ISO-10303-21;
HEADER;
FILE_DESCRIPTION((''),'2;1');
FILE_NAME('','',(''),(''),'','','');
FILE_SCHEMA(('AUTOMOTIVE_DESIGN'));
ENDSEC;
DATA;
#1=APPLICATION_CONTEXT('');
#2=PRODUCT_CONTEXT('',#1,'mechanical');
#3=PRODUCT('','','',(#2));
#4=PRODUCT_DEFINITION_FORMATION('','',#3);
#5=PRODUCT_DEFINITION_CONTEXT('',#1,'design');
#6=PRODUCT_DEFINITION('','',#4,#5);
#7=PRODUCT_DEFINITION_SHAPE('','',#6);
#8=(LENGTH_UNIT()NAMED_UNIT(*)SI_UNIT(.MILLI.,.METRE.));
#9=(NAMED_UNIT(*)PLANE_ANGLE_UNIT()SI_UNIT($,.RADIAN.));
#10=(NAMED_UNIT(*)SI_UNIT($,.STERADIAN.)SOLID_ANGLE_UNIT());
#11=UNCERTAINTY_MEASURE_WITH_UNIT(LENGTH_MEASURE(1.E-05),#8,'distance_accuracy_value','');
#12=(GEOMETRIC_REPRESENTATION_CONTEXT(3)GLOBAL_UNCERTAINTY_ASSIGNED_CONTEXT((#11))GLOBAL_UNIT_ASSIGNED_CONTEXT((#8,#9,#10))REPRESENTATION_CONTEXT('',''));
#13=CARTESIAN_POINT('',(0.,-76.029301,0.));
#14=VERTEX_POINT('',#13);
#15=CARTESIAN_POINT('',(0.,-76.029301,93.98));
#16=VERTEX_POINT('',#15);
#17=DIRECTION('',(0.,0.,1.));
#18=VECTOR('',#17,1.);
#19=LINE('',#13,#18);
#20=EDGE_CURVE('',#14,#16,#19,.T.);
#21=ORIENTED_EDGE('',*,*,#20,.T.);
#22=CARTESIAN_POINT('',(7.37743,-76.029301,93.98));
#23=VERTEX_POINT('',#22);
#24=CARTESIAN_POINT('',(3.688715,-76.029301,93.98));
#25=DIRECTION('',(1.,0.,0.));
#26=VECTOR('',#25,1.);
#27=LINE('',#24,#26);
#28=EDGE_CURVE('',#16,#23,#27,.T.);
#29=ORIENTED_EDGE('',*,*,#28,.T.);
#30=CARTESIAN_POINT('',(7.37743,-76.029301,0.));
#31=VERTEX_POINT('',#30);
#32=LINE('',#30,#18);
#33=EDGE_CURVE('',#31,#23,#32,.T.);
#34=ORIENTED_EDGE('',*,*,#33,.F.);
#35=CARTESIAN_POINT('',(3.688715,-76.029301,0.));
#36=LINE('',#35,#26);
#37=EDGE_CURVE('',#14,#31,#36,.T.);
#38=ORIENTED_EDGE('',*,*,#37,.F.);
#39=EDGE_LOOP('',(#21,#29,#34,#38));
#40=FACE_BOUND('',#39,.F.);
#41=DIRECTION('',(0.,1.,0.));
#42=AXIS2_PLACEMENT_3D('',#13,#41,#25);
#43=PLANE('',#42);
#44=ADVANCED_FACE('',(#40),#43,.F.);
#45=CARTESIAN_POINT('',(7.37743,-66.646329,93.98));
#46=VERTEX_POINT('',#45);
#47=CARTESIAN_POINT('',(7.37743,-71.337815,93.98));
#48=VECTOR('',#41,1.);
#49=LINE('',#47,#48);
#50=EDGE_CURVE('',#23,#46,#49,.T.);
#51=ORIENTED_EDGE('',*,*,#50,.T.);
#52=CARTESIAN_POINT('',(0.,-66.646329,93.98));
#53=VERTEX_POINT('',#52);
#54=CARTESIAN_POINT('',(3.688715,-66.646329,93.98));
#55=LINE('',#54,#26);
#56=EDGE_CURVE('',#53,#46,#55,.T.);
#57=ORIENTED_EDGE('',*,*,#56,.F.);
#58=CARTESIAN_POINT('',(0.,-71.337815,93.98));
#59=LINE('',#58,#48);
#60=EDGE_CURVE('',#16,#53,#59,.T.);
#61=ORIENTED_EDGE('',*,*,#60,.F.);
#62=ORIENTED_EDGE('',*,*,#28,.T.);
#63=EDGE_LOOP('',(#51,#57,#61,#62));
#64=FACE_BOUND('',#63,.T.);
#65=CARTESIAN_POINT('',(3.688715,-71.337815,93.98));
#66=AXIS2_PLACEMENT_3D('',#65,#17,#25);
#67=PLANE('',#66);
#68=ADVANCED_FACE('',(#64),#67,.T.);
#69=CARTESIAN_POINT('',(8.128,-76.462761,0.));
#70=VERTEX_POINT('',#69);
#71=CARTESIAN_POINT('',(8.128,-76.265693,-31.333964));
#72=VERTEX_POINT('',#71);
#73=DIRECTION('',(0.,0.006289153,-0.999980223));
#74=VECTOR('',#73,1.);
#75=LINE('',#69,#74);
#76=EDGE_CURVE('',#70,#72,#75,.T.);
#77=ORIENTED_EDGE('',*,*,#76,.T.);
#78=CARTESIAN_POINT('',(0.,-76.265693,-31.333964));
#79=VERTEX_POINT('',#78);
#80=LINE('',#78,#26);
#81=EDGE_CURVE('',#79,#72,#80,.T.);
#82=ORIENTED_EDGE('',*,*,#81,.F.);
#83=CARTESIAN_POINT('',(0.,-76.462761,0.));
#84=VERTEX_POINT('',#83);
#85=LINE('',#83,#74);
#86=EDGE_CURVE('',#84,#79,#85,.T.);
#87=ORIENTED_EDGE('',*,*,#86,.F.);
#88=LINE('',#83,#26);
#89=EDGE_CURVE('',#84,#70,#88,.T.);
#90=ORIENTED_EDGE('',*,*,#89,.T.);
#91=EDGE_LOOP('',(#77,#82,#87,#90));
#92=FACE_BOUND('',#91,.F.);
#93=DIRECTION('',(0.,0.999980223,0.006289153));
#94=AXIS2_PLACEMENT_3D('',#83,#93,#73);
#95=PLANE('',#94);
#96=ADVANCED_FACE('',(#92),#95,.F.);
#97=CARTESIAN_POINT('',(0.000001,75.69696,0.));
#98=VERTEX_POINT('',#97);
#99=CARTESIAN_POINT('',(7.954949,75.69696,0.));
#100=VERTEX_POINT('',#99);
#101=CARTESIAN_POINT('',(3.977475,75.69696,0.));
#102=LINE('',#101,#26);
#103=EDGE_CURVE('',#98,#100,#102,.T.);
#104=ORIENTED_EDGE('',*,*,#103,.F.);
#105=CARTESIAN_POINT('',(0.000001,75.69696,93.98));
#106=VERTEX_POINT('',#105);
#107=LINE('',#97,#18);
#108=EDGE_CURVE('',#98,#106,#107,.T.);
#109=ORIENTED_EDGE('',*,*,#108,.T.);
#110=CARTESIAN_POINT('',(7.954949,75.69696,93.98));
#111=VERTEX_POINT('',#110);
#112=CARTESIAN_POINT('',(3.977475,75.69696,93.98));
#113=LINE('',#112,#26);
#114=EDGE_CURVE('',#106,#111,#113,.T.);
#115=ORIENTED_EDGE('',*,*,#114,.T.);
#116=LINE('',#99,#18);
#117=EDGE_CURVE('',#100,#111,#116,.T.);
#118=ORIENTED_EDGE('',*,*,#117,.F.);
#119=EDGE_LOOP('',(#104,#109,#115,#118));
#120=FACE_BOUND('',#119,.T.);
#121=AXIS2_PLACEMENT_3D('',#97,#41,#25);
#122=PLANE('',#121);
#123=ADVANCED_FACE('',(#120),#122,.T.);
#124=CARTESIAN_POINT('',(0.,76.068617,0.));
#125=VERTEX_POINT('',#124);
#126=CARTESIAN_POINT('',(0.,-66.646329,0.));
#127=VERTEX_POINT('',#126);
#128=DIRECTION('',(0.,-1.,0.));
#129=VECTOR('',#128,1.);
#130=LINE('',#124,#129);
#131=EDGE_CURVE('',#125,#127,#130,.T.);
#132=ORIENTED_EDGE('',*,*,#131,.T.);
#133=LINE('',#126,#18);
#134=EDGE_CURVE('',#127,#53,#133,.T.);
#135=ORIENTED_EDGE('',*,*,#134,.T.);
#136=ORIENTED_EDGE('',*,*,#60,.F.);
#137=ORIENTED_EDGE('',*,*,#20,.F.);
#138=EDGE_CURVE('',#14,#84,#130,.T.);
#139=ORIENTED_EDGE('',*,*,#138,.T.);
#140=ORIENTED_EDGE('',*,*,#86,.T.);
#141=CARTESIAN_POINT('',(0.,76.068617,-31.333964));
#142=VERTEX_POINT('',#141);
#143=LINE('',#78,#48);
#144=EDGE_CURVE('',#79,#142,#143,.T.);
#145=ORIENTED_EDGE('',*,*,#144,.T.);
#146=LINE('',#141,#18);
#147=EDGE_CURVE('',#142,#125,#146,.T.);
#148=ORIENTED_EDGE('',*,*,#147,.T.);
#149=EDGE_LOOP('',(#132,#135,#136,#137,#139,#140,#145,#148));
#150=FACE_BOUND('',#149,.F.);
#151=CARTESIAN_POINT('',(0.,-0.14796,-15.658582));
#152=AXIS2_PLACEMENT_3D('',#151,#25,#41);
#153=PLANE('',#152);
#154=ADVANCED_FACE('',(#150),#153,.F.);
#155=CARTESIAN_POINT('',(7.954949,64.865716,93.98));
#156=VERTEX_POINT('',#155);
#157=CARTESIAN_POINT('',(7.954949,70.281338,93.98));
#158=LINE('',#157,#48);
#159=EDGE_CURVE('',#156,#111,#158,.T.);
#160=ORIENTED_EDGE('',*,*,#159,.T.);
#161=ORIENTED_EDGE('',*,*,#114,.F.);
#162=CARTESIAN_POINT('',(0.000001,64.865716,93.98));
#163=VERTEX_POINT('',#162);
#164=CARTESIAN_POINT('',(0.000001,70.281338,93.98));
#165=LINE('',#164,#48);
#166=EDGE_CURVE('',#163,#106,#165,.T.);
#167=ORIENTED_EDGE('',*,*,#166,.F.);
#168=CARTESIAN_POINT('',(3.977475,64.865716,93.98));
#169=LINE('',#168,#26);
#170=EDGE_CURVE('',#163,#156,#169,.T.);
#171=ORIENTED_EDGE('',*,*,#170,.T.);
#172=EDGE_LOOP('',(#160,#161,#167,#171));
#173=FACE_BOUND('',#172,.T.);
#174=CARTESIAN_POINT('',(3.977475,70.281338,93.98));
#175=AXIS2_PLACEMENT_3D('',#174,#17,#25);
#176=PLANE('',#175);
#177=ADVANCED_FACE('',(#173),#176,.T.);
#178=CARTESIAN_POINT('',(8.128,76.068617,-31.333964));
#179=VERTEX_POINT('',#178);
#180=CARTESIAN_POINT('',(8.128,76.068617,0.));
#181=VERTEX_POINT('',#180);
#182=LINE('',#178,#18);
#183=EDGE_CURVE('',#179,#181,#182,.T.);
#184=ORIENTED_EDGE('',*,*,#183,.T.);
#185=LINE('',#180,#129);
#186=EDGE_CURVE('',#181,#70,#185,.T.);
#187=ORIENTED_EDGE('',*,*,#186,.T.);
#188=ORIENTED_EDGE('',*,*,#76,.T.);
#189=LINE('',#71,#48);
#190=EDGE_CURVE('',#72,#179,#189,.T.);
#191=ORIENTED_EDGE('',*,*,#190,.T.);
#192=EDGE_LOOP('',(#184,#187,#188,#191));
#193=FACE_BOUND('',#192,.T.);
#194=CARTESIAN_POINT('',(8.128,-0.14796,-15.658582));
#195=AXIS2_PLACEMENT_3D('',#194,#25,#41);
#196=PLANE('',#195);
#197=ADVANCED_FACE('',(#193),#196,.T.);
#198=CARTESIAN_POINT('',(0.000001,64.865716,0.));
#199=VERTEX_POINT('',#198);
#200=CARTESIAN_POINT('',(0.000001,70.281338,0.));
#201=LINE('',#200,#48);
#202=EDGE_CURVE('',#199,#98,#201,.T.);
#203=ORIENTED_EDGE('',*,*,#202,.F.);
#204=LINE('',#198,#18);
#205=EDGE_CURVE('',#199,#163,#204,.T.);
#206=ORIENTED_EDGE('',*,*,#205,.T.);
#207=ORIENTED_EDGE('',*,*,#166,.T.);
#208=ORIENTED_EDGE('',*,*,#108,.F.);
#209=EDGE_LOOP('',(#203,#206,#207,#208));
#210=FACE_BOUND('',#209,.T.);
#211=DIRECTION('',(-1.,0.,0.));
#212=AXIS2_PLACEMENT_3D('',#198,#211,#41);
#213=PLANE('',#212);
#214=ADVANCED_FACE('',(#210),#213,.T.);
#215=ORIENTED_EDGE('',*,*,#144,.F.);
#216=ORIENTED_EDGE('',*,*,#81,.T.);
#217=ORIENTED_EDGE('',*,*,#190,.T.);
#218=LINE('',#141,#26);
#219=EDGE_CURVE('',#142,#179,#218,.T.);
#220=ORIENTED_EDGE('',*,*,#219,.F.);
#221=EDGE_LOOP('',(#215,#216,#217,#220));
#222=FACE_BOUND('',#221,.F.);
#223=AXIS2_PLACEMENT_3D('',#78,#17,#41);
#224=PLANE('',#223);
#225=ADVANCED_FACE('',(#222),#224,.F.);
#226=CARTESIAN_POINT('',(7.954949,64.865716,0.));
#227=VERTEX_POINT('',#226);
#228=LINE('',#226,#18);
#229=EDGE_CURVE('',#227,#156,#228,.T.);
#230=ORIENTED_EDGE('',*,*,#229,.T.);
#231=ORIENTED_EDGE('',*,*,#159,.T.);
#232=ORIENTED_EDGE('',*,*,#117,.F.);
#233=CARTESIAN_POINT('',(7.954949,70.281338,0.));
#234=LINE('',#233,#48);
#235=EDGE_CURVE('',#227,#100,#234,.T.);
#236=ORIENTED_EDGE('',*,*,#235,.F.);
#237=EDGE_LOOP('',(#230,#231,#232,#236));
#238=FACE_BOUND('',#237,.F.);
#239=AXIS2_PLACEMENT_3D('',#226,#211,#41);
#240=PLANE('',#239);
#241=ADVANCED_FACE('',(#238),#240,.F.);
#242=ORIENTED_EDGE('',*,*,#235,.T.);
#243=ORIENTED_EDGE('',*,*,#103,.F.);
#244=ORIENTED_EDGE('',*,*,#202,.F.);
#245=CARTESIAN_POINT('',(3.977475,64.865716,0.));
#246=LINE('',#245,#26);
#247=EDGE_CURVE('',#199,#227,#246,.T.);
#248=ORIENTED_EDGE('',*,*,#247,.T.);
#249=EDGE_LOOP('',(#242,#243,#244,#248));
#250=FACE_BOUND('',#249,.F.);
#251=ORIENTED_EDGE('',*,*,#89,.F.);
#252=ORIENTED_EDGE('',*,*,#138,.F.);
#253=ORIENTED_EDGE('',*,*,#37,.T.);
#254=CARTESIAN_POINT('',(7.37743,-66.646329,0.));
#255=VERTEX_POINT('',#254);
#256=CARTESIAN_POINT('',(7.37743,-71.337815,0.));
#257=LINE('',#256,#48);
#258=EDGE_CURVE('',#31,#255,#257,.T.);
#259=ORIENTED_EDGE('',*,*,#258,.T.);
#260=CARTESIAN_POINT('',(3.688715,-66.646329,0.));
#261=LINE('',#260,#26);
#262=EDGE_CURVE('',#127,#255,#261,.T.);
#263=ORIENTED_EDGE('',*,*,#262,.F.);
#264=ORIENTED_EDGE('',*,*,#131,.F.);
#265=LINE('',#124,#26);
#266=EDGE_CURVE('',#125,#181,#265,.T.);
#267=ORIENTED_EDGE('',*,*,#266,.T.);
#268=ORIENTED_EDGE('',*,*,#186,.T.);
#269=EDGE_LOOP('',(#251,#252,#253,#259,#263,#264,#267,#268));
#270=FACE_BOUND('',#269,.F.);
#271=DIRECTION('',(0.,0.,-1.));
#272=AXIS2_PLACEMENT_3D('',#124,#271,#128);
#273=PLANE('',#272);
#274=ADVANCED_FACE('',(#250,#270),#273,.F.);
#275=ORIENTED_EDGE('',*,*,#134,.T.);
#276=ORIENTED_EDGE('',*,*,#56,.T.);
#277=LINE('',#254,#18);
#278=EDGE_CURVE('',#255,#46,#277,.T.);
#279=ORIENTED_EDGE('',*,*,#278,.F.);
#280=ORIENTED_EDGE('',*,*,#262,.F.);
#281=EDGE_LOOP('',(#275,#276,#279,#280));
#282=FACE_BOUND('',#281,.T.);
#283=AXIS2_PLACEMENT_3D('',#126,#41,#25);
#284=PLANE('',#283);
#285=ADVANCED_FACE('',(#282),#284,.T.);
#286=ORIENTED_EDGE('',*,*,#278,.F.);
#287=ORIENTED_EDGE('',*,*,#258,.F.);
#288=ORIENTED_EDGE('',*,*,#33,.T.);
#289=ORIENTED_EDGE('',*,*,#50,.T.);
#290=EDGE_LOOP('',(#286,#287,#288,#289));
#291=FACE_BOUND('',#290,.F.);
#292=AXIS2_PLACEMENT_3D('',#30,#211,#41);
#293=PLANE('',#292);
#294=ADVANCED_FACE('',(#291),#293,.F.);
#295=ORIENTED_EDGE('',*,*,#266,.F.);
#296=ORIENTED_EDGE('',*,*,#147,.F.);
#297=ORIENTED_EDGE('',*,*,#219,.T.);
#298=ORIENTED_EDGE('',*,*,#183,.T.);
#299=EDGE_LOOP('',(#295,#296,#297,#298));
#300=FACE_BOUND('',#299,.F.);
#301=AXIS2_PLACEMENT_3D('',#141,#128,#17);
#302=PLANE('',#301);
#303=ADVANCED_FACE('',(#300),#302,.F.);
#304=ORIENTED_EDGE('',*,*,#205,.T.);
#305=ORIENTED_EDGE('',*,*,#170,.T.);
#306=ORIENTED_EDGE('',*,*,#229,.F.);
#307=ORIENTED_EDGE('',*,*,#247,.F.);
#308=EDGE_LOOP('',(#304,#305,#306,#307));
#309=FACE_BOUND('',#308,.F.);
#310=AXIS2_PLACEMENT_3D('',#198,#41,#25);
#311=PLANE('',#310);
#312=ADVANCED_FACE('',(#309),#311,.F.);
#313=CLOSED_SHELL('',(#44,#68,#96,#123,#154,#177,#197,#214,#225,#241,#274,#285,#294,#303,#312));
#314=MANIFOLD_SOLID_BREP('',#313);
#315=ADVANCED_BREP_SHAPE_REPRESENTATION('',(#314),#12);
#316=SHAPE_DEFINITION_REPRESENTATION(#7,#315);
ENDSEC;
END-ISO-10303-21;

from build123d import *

# Parameters (mm, degrees)
F1_DEPTH = 8.128
F2_W     = 7.37743
F2_H     = 9.382971
F2_W_2   = 7.954949
F2_H_2   = 10.831244
F3_DEPTH = 93.98


with BuildPart() as f1:
    # F0 (on Right) → F1 (new body)
    with BuildSketch(Plane.YZ):
        Polygon((76.068617, 0), (-76.462761, 0), (-76.265693, -31.333964), (76.068617, -31.333964), align=None)
    extrude(amount=F1_DEPTH)

    # F2 (on Top) → F3 (join)
    with BuildSketch(Plane.XY):
        with Locations((3.688715, -71.337815)):
            Rectangle(F2_W, F2_H)
        with Locations((3.977475, 70.281338)):
            Rectangle(F2_W_2, F2_H_2)
    extrude(amount=F3_DEPTH)


solid = f1.part
